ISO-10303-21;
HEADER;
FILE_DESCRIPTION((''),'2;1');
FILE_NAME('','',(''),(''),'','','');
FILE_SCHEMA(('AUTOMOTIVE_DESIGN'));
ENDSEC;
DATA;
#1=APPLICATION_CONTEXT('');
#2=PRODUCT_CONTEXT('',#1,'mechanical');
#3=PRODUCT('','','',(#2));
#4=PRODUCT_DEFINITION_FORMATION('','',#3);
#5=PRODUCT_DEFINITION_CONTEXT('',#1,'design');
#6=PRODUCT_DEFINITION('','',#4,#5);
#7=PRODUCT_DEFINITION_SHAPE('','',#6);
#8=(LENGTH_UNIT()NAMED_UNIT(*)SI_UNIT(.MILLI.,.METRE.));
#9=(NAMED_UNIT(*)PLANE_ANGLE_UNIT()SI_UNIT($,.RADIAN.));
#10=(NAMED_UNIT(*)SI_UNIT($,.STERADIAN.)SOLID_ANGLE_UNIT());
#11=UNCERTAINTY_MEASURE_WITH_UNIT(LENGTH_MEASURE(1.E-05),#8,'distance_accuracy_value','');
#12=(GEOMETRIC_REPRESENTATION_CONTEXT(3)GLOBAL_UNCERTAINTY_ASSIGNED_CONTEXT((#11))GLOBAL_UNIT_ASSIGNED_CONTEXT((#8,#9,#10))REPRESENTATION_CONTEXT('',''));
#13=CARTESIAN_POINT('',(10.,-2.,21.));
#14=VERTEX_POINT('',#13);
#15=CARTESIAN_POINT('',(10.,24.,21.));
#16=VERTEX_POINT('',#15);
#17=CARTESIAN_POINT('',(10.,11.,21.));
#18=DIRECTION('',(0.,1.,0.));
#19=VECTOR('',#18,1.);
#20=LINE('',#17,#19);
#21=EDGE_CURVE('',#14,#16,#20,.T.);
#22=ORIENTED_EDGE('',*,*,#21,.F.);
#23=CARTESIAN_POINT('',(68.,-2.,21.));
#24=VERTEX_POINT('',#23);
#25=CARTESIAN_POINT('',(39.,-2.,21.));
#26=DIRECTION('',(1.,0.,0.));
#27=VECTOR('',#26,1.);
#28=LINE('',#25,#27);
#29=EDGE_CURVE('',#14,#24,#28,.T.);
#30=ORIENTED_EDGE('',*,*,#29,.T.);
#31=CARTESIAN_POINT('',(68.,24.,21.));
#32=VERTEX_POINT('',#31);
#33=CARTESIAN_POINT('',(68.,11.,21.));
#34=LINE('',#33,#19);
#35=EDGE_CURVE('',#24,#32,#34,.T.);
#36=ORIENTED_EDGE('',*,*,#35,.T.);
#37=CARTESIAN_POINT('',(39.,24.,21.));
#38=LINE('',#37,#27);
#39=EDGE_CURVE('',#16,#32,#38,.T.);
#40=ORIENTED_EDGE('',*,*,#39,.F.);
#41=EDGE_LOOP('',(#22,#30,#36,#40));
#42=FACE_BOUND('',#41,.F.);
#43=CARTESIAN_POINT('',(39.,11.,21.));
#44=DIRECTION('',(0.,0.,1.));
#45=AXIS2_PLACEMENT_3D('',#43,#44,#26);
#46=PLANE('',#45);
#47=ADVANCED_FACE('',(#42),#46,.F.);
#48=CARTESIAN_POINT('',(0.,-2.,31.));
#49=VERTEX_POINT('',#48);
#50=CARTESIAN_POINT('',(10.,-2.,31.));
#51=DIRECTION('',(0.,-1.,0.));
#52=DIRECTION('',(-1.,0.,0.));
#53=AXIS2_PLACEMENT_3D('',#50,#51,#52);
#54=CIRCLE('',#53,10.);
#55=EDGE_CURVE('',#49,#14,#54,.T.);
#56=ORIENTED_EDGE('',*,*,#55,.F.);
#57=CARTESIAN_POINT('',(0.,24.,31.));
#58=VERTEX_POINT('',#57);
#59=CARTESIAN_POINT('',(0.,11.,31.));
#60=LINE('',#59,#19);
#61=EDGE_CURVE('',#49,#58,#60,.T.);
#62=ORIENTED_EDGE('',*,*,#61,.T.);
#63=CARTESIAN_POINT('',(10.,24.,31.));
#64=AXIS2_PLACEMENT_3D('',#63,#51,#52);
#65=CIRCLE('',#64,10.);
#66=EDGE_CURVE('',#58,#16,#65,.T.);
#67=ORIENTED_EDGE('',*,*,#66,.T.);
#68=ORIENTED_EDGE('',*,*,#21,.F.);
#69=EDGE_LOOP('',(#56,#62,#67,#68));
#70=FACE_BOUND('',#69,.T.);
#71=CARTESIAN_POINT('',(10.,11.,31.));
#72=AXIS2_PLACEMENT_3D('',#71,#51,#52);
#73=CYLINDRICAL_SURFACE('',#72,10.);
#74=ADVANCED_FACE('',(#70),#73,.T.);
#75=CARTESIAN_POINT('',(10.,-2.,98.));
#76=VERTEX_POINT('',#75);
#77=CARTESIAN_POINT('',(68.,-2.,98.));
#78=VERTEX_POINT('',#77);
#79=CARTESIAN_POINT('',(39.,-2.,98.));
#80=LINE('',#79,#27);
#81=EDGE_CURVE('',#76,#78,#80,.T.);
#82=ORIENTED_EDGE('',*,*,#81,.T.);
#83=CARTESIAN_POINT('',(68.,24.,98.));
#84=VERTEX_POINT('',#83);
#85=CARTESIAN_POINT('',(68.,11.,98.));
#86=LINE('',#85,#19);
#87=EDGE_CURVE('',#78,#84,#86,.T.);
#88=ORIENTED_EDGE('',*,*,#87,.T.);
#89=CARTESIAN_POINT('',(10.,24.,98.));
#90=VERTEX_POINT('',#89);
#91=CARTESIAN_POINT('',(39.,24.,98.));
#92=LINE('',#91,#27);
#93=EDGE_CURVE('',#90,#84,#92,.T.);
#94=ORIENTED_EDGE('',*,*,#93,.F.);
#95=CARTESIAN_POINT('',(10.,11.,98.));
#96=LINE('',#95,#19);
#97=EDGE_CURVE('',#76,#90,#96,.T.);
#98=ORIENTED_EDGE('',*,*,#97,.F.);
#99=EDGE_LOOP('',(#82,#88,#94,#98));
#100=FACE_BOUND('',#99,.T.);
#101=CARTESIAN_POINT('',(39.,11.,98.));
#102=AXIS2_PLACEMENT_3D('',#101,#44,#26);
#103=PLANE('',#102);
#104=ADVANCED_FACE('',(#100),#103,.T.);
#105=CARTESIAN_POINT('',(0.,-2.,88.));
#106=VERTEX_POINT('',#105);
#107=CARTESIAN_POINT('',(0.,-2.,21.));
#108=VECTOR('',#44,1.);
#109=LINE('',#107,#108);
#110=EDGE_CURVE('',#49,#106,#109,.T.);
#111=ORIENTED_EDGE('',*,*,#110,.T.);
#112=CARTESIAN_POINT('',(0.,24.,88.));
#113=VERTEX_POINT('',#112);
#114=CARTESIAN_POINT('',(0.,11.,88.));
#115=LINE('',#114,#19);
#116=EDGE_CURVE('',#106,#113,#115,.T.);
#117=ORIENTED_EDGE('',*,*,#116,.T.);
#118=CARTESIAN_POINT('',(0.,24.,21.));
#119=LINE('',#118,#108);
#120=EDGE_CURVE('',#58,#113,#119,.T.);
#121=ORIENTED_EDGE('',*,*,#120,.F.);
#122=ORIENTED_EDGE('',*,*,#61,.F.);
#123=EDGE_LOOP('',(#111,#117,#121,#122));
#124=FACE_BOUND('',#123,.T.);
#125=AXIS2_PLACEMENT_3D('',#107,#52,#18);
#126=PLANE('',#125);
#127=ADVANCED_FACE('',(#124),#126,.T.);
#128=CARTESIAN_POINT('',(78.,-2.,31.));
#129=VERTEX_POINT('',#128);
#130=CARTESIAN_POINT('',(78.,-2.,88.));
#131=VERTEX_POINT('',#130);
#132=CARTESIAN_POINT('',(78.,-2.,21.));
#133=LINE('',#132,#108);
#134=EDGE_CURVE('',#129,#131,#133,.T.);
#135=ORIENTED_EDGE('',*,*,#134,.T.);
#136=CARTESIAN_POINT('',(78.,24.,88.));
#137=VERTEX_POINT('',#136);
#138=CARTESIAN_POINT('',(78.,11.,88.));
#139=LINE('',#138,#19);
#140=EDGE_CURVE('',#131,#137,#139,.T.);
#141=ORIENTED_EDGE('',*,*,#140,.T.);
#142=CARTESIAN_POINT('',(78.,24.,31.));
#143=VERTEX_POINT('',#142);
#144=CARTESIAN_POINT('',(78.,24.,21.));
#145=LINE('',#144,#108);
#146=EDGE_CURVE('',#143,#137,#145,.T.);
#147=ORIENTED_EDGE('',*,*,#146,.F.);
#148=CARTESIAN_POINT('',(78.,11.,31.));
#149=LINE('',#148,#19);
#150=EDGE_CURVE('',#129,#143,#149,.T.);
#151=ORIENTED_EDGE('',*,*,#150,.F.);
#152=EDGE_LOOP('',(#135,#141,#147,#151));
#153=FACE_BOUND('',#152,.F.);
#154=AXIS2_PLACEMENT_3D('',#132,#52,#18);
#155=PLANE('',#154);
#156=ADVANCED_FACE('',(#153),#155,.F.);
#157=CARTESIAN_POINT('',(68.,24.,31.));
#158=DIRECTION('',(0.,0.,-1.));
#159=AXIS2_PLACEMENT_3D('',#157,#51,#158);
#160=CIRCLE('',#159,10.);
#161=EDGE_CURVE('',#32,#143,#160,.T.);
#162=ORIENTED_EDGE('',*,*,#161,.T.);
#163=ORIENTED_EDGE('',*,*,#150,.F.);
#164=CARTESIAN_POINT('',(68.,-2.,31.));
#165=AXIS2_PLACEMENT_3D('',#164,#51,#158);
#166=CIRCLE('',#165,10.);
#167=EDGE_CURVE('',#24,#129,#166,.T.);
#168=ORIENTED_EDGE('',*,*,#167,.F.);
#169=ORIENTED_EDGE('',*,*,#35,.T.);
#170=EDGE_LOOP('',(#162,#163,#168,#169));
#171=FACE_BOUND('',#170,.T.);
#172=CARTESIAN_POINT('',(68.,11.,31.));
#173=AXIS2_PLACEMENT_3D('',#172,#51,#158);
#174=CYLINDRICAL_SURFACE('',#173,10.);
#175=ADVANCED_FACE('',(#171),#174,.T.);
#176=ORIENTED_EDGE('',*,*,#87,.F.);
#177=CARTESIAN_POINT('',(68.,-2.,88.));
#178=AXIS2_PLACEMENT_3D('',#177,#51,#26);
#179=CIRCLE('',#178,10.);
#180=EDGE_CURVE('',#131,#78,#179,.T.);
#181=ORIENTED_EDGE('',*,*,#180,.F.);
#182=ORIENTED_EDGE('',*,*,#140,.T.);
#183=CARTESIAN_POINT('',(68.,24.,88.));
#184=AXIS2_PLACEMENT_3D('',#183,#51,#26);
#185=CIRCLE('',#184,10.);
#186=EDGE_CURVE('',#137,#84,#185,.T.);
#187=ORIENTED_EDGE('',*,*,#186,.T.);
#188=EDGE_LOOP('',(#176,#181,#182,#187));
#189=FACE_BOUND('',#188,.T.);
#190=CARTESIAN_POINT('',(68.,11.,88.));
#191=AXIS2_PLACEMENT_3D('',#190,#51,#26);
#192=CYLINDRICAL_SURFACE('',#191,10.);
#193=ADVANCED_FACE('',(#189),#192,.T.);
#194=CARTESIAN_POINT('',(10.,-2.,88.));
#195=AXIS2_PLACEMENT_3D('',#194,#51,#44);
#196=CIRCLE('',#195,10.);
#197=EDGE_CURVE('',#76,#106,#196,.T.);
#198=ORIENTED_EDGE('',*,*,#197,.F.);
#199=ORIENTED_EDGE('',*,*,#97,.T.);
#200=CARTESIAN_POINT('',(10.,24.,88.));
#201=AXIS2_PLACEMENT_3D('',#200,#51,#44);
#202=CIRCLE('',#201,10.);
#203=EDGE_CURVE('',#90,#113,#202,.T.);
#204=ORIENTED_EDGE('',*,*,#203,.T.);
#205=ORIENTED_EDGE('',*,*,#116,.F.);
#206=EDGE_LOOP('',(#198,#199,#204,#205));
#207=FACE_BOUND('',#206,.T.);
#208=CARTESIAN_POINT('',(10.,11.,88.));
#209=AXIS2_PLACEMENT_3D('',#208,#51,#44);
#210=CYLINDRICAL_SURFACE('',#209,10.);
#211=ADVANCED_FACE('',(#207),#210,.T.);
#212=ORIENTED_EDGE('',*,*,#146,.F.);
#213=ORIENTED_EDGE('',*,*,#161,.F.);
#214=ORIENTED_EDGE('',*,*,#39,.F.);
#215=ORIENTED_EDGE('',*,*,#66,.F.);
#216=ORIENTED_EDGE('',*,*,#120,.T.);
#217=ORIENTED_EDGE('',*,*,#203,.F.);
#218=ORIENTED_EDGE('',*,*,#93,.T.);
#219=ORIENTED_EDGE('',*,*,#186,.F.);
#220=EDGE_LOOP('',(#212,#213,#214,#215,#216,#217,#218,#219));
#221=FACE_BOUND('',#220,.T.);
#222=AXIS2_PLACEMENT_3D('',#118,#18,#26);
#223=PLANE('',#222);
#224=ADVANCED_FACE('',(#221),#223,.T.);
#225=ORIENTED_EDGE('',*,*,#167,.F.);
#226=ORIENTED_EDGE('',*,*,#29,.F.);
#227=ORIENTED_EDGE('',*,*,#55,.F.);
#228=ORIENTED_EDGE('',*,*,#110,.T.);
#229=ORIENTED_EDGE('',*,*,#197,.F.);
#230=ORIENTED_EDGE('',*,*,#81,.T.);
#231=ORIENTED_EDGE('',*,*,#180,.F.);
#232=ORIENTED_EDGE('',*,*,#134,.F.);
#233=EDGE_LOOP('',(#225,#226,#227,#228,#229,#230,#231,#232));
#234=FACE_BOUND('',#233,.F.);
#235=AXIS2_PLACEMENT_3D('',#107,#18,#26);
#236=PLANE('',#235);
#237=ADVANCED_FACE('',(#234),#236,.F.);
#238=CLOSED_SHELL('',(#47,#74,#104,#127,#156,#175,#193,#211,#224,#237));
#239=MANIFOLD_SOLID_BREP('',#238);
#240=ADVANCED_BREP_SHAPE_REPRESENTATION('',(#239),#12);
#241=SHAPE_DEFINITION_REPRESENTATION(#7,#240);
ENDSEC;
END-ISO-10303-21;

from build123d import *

# Parameters (mm, degrees)
CYLINDER005_W          = 10
CYLINDER005_H          = 26
CYLINDER005_ANGLE      = 90
BOX003_W               = 10
BOX003_H               = 26
BOX003_DEPTH           = 10
CUT002_PLACEMENT_ANGLE = 90
CYLINDER006_W          = 10
CYLINDER006_H          = 26
CYLINDER006_ANGLE      = 90
BOX004_W               = 10
BOX004_H               = 26
BOX004_DEPTH           = 10
CUT003_PLACEMENT_ANGLE = 180
CYLINDER007_W          = 10
CYLINDER007_H          = 26
CYLINDER007_ANGLE      = 90
BOX005_W               = 10
BOX005_H               = 26
BOX005_DEPTH           = 10
CUT004_PLACEMENT_ANGLE = 90
CYLINDER004_W          = 10
CYLINDER004_H          = 26
CYLINDER004_ANGLE      = 90
BOX002_W               = 10
BOX002_H               = 26
BOX002_DEPTH           = 10
BOX001_W               = 78
BOX001_H               = 26
BOX001_DEPTH           = 77


with BuildPart() as cylinder005:
    # Cylinder005 → Cylinder005 (revolve)
    with BuildSketch(Plane(origin=(0, 26, 0), x_dir=(1, 0, 0), z_dir=(0, 0, -1))):
        with Locations((5, 13)):
            Rectangle(CYLINDER005_W, CYLINDER005_H)
    revolve(axis=Axis((0, 26, 0), (0, -1, 0)), revolution_arc=CYLINDER005_ANGLE)


with BuildPart() as cut002:
    # Box003 → Box003 (new body)
    with BuildSketch(Plane.XY):
        with Locations((5, 13)):
            Rectangle(BOX003_W, BOX003_H)
    extrude(amount=BOX003_DEPTH)

    # Cut002: cut Cylinder005
    add(cylinder005.part, mode=Mode.SUBTRACT)


with BuildPart() as cut002_1:
    # Cut002 placement: moved
    add(cut002.part.moved(Location((68, 0, 10))).rotate(Axis((68, 0, 10), (0, 1, 0)), CUT002_PLACEMENT_ANGLE))


with BuildPart() as cylinder006:
    # Cylinder006 → Cylinder006 (revolve)
    with BuildSketch(Plane(origin=(0, 26, 0), x_dir=(1, 0, 0), z_dir=(0, 0, -1))):
        with Locations((5, 13)):
            Rectangle(CYLINDER006_W, CYLINDER006_H)
    revolve(axis=Axis((0, 26, 0), (0, -1, 0)), revolution_arc=CYLINDER006_ANGLE)


with BuildPart() as cut003:
    # Box004 → Box004 (new body)
    with BuildSketch(Plane.XY):
        with Locations((5, 13)):
            Rectangle(BOX004_W, BOX004_H)
    extrude(amount=BOX004_DEPTH)

    # Cut003: cut Cylinder006
    add(cylinder006.part, mode=Mode.SUBTRACT)


with BuildPart() as cut003_1:
    # Cut003 placement: moved
    add(cut003.part.moved(Location((10, 0, 10))).rotate(Axis((10, 0, 10), (0, 1, 0)), CUT003_PLACEMENT_ANGLE))


with BuildPart() as cylinder007:
    # Cylinder007 → Cylinder007 (revolve)
    with BuildSketch(Plane(origin=(0, 26, 0), x_dir=(1, 0, 0), z_dir=(0, 0, -1))):
        with Locations((5, 13)):
            Rectangle(CYLINDER007_W, CYLINDER007_H)
    revolve(axis=Axis((0, 26, 0), (0, -1, 0)), revolution_arc=CYLINDER007_ANGLE)


with BuildPart() as cut004:
    # Box005 → Box005 (new body)
    with BuildSketch(Plane.XY):
        with Locations((5, 13)):
            Rectangle(BOX005_W, BOX005_H)
    extrude(amount=BOX005_DEPTH)

    # Cut004: cut Cylinder007
    add(cylinder007.part, mode=Mode.SUBTRACT)


with BuildPart() as cut004_1:
    # Cut004 placement: moved
    add(cut004.part.moved(Location((10, 0, 67))).rotate(Axis((10, 0, 67), (0, -1, 0)), CUT004_PLACEMENT_ANGLE))


with BuildPart() as cylinder004:
    # Cylinder004 → Cylinder004 (revolve)
    with BuildSketch(Plane(origin=(0, 26, 0), x_dir=(1, 0, 0), z_dir=(0, 0, -1))):
        with Locations((5, 13)):
            Rectangle(CYLINDER004_W, CYLINDER004_H)
    revolve(axis=Axis((0, 26, 0), (0, -1, 0)), revolution_arc=CYLINDER004_ANGLE)


with BuildPart() as v25cuts:
    # Box002 → Box002 (new body)
    with BuildSketch(Plane.XY):
        with Locations((5, 13)):
            Rectangle(BOX002_W, BOX002_H)
    extrude(amount=BOX002_DEPTH)

    # Cut001: cut Cylinder004
    add(cylinder004.part, mode=Mode.SUBTRACT)


with BuildPart() as v25cuts_1:
    # Cut001 placement: moved
    add(v25cuts.part.moved(Location((68, 0, 67))))

    # Fusion004: union Cut002, Cut003, Cut004
    add(cut002_1.part)
    add(cut003_1.part)
    add(cut004_1.part)


with BuildPart() as v25b001:
    # Box001 → Box001 (new body)
    with BuildSketch(Plane.XY):
        with Locations((39, 13)):
            Rectangle(BOX001_W, BOX001_H)
    extrude(amount=BOX001_DEPTH)

    # Cut005: cut v25Cuts
    add(v25cuts_1.part, mode=Mode.SUBTRACT)


with BuildPart() as v25b001_1:
    # Cut005 placement: moved
    add(v25b001.part.moved(Location((0, -2, 21))))


solid = v25b001_1.part
